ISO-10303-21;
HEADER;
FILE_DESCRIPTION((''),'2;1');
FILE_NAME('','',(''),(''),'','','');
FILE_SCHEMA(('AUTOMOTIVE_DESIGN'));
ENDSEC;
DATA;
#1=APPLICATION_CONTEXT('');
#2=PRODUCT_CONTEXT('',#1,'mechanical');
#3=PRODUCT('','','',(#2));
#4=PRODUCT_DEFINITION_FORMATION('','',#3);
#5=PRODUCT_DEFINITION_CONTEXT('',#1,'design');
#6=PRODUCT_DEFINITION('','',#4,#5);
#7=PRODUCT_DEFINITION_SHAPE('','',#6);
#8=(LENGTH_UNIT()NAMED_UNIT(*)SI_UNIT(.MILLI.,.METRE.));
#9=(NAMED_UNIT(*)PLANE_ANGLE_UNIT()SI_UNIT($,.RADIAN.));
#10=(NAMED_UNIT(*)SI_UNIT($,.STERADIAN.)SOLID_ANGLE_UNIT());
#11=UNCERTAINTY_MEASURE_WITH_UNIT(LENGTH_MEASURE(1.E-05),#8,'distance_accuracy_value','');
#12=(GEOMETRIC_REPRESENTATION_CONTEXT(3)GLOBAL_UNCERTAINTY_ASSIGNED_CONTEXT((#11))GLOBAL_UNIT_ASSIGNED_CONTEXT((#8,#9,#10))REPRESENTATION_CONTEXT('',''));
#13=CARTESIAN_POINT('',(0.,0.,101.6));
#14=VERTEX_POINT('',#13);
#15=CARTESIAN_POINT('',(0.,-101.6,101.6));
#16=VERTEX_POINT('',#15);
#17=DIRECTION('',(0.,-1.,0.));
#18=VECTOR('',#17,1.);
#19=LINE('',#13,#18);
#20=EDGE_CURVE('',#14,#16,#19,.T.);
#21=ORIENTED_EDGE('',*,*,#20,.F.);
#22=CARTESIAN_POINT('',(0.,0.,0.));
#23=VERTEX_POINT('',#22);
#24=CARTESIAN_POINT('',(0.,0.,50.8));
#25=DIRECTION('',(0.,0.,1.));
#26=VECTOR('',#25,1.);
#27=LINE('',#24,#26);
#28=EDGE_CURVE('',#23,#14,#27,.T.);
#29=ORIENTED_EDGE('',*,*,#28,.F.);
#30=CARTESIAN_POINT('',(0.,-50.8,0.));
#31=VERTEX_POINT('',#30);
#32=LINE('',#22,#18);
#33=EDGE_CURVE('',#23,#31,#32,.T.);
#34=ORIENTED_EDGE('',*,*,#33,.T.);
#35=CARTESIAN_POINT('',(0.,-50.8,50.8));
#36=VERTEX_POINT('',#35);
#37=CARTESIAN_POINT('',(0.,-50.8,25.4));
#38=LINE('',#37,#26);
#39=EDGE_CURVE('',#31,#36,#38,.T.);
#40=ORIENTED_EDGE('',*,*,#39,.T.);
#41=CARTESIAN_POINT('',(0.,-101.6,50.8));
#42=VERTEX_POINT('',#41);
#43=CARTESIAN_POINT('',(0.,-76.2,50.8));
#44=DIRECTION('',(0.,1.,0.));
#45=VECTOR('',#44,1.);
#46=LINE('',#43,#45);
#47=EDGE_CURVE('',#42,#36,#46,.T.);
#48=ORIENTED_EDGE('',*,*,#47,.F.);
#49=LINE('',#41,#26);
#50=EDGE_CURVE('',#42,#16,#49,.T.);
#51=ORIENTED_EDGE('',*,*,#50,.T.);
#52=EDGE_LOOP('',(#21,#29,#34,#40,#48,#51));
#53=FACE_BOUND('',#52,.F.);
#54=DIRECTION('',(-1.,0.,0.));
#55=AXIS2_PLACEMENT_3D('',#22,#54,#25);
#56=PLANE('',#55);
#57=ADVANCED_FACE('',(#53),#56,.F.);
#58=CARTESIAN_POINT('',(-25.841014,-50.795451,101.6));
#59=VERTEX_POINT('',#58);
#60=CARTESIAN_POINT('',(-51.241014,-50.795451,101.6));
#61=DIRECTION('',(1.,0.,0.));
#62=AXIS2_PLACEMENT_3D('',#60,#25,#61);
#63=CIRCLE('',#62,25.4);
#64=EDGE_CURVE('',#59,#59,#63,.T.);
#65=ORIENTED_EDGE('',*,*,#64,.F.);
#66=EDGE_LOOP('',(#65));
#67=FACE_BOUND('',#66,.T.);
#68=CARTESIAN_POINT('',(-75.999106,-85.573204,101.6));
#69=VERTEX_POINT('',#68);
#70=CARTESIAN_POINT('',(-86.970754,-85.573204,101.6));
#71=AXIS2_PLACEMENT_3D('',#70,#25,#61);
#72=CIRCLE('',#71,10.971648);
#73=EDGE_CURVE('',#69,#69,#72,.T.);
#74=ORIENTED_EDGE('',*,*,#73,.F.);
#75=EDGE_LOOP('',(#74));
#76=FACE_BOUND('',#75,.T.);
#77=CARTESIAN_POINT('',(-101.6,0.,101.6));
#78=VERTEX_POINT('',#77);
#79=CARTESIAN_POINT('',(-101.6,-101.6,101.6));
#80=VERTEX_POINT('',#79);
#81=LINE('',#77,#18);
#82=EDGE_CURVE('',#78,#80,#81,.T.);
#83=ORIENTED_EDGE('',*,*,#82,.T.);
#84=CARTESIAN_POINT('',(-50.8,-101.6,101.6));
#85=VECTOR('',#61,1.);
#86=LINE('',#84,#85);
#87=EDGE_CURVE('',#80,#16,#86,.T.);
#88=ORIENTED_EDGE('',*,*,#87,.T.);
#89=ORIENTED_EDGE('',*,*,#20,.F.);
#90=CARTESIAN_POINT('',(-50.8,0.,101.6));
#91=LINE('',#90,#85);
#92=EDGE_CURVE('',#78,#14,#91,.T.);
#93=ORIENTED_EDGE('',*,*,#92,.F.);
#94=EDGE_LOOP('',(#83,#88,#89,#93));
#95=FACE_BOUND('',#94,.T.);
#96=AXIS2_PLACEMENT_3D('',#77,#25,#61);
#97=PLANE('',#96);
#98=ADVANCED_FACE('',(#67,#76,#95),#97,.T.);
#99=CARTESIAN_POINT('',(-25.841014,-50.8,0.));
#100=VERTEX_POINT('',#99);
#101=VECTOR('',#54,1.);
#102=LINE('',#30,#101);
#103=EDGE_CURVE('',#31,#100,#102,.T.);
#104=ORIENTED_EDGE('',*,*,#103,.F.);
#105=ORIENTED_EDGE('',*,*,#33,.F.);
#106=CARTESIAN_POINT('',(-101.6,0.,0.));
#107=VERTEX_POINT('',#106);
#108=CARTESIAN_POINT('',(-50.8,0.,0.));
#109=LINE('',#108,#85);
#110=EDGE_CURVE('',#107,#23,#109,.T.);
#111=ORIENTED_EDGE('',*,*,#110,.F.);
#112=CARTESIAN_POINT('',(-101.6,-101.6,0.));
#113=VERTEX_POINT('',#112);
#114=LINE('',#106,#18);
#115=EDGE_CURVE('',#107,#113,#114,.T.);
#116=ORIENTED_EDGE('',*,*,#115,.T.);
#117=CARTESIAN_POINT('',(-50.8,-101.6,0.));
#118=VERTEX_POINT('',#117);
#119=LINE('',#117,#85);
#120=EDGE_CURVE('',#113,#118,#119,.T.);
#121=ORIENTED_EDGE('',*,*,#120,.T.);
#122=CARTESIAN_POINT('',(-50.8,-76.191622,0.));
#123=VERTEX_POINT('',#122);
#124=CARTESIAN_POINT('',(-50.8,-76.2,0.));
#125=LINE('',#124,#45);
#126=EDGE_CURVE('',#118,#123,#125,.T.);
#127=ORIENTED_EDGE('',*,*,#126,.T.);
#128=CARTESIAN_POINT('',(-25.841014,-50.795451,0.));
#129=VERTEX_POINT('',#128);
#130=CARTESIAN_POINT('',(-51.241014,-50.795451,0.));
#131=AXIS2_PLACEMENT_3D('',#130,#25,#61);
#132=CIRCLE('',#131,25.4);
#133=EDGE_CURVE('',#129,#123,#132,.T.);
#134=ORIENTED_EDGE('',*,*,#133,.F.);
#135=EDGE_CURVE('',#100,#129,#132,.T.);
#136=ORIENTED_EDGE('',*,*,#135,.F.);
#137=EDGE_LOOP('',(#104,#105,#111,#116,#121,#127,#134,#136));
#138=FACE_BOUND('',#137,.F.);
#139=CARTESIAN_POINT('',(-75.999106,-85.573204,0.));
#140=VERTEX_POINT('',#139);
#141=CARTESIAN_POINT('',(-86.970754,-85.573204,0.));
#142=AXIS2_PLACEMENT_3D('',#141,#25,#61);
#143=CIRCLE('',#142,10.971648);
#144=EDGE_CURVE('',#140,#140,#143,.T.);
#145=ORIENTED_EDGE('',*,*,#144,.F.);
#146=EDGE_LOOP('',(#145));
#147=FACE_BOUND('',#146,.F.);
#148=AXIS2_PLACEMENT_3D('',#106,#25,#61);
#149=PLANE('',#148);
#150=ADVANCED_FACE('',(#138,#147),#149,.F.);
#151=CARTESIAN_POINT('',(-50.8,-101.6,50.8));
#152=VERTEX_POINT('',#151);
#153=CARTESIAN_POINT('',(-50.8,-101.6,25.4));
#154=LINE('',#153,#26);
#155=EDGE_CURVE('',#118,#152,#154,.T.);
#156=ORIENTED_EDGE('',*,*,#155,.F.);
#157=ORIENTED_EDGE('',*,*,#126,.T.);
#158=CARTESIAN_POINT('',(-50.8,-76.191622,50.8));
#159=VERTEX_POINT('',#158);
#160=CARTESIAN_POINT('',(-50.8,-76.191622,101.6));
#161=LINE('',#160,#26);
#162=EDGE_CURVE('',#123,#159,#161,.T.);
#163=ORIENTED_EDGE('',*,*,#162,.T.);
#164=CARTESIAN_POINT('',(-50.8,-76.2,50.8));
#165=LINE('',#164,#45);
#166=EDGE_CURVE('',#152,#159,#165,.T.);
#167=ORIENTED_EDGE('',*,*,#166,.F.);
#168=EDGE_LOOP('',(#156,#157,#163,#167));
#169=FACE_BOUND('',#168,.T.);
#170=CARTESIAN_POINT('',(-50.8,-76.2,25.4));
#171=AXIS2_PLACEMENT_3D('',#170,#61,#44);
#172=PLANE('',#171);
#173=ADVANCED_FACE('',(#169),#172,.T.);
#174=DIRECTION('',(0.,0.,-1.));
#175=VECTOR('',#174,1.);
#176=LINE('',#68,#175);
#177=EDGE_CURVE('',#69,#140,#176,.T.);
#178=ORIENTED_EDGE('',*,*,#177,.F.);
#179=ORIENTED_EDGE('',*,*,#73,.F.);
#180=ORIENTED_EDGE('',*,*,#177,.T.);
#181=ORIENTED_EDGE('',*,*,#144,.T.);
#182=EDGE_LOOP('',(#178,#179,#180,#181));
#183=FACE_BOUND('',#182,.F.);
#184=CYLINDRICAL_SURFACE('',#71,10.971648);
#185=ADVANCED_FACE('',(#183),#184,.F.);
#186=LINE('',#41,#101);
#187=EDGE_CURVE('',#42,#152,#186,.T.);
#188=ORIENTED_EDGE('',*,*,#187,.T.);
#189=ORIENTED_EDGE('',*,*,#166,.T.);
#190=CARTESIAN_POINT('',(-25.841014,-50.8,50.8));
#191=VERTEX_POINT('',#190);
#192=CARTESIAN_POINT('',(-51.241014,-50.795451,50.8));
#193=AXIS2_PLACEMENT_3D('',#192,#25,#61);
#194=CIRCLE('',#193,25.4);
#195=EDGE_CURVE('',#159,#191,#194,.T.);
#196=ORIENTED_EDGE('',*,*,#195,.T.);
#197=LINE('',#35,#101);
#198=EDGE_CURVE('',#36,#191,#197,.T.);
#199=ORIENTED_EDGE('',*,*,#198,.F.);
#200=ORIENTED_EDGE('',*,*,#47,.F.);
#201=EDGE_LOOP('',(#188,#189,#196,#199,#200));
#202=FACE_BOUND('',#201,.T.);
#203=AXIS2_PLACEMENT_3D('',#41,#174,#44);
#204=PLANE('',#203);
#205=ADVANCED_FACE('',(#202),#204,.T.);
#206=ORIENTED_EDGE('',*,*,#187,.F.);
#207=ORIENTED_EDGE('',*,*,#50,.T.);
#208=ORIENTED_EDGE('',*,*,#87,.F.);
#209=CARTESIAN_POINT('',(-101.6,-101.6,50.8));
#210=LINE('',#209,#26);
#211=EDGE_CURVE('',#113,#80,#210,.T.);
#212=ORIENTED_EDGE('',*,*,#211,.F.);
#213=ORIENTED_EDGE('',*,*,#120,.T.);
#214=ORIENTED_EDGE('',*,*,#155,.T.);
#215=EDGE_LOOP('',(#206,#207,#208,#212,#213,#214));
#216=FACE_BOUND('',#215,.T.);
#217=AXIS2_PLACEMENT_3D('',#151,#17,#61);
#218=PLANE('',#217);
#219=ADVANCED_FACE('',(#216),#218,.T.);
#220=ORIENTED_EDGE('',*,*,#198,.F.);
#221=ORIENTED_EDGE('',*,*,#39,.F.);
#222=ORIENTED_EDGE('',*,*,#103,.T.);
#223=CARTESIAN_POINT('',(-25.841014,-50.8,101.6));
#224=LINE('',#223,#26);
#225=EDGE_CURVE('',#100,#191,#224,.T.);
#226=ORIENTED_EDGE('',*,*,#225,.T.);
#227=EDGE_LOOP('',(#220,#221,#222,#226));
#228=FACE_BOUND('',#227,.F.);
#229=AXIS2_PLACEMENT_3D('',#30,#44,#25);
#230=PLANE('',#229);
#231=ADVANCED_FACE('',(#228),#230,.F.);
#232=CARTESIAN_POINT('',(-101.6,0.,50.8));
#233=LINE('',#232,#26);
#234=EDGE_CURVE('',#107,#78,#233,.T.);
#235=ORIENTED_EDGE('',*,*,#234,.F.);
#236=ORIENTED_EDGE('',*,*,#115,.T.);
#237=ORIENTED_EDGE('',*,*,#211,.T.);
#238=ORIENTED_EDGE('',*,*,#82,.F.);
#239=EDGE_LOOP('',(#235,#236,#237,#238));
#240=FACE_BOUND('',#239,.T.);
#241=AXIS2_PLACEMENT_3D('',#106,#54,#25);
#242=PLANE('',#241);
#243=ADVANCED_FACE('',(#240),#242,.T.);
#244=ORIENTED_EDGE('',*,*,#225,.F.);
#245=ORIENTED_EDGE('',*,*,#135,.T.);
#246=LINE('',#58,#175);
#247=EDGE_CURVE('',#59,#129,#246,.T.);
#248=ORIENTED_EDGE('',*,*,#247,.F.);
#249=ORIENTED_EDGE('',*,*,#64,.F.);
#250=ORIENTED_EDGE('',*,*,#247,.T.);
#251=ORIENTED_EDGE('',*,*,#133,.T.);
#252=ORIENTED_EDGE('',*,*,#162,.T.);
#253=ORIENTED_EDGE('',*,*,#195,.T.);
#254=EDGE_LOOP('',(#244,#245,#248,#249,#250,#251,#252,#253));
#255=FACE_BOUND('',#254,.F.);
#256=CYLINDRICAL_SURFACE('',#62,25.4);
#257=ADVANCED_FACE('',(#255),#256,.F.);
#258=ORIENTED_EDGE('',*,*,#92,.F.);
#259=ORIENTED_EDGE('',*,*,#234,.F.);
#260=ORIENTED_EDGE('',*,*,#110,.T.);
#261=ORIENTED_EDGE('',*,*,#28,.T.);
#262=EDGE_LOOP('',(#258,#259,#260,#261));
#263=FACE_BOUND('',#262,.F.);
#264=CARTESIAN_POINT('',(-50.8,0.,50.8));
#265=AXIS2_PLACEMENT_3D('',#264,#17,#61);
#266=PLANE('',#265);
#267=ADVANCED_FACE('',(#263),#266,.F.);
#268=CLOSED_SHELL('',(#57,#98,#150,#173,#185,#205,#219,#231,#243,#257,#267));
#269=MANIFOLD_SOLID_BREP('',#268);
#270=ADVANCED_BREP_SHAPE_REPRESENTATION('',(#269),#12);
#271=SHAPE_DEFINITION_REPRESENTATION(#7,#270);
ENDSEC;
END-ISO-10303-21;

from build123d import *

# Parameters (mm, degrees)
F0_W     = 101.6
F0_H     = 101.6
F1_DEPTH = 101.6
F2_R     = 25.4
F3_DEPTH = 101.6
F4_W     = 50.8
F4_H     = 50.8
F5_DEPTH = 50.8
F6_R     = 10.971648
F7_DEPTH = 101.6


with BuildPart() as f1:
    # F0 (on Front) → F1 (new body)
    with BuildSketch(Plane.XZ):
        with Locations((-50.8, 50.8)):
            Rectangle(F0_W, F0_H)
    extrude(amount=F1_DEPTH)

    # F2 (on face) → F3 (cut)
    with BuildSketch(Plane.XY.offset(101.6)):
        with Locations((-51.241014, -50.795451)):
            Circle(F2_R)
    extrude(amount=-F3_DEPTH, mode=Mode.SUBTRACT)

    # F4 (on face) → F5 (cut)
    with BuildSketch(Plane.YZ):
        with Locations((-76.2, 25.4)):
            Rectangle(F4_W, F4_H)
    extrude(amount=-F5_DEPTH, mode=Mode.SUBTRACT)

    # F6 (on face) → F7 (cut)
    with BuildSketch(Plane.XY.offset(101.6)):
        with Locations((-86.970754, -85.573204)):
            Circle(F6_R)
    extrude(amount=-F7_DEPTH, mode=Mode.SUBTRACT)


solid = f1.part
